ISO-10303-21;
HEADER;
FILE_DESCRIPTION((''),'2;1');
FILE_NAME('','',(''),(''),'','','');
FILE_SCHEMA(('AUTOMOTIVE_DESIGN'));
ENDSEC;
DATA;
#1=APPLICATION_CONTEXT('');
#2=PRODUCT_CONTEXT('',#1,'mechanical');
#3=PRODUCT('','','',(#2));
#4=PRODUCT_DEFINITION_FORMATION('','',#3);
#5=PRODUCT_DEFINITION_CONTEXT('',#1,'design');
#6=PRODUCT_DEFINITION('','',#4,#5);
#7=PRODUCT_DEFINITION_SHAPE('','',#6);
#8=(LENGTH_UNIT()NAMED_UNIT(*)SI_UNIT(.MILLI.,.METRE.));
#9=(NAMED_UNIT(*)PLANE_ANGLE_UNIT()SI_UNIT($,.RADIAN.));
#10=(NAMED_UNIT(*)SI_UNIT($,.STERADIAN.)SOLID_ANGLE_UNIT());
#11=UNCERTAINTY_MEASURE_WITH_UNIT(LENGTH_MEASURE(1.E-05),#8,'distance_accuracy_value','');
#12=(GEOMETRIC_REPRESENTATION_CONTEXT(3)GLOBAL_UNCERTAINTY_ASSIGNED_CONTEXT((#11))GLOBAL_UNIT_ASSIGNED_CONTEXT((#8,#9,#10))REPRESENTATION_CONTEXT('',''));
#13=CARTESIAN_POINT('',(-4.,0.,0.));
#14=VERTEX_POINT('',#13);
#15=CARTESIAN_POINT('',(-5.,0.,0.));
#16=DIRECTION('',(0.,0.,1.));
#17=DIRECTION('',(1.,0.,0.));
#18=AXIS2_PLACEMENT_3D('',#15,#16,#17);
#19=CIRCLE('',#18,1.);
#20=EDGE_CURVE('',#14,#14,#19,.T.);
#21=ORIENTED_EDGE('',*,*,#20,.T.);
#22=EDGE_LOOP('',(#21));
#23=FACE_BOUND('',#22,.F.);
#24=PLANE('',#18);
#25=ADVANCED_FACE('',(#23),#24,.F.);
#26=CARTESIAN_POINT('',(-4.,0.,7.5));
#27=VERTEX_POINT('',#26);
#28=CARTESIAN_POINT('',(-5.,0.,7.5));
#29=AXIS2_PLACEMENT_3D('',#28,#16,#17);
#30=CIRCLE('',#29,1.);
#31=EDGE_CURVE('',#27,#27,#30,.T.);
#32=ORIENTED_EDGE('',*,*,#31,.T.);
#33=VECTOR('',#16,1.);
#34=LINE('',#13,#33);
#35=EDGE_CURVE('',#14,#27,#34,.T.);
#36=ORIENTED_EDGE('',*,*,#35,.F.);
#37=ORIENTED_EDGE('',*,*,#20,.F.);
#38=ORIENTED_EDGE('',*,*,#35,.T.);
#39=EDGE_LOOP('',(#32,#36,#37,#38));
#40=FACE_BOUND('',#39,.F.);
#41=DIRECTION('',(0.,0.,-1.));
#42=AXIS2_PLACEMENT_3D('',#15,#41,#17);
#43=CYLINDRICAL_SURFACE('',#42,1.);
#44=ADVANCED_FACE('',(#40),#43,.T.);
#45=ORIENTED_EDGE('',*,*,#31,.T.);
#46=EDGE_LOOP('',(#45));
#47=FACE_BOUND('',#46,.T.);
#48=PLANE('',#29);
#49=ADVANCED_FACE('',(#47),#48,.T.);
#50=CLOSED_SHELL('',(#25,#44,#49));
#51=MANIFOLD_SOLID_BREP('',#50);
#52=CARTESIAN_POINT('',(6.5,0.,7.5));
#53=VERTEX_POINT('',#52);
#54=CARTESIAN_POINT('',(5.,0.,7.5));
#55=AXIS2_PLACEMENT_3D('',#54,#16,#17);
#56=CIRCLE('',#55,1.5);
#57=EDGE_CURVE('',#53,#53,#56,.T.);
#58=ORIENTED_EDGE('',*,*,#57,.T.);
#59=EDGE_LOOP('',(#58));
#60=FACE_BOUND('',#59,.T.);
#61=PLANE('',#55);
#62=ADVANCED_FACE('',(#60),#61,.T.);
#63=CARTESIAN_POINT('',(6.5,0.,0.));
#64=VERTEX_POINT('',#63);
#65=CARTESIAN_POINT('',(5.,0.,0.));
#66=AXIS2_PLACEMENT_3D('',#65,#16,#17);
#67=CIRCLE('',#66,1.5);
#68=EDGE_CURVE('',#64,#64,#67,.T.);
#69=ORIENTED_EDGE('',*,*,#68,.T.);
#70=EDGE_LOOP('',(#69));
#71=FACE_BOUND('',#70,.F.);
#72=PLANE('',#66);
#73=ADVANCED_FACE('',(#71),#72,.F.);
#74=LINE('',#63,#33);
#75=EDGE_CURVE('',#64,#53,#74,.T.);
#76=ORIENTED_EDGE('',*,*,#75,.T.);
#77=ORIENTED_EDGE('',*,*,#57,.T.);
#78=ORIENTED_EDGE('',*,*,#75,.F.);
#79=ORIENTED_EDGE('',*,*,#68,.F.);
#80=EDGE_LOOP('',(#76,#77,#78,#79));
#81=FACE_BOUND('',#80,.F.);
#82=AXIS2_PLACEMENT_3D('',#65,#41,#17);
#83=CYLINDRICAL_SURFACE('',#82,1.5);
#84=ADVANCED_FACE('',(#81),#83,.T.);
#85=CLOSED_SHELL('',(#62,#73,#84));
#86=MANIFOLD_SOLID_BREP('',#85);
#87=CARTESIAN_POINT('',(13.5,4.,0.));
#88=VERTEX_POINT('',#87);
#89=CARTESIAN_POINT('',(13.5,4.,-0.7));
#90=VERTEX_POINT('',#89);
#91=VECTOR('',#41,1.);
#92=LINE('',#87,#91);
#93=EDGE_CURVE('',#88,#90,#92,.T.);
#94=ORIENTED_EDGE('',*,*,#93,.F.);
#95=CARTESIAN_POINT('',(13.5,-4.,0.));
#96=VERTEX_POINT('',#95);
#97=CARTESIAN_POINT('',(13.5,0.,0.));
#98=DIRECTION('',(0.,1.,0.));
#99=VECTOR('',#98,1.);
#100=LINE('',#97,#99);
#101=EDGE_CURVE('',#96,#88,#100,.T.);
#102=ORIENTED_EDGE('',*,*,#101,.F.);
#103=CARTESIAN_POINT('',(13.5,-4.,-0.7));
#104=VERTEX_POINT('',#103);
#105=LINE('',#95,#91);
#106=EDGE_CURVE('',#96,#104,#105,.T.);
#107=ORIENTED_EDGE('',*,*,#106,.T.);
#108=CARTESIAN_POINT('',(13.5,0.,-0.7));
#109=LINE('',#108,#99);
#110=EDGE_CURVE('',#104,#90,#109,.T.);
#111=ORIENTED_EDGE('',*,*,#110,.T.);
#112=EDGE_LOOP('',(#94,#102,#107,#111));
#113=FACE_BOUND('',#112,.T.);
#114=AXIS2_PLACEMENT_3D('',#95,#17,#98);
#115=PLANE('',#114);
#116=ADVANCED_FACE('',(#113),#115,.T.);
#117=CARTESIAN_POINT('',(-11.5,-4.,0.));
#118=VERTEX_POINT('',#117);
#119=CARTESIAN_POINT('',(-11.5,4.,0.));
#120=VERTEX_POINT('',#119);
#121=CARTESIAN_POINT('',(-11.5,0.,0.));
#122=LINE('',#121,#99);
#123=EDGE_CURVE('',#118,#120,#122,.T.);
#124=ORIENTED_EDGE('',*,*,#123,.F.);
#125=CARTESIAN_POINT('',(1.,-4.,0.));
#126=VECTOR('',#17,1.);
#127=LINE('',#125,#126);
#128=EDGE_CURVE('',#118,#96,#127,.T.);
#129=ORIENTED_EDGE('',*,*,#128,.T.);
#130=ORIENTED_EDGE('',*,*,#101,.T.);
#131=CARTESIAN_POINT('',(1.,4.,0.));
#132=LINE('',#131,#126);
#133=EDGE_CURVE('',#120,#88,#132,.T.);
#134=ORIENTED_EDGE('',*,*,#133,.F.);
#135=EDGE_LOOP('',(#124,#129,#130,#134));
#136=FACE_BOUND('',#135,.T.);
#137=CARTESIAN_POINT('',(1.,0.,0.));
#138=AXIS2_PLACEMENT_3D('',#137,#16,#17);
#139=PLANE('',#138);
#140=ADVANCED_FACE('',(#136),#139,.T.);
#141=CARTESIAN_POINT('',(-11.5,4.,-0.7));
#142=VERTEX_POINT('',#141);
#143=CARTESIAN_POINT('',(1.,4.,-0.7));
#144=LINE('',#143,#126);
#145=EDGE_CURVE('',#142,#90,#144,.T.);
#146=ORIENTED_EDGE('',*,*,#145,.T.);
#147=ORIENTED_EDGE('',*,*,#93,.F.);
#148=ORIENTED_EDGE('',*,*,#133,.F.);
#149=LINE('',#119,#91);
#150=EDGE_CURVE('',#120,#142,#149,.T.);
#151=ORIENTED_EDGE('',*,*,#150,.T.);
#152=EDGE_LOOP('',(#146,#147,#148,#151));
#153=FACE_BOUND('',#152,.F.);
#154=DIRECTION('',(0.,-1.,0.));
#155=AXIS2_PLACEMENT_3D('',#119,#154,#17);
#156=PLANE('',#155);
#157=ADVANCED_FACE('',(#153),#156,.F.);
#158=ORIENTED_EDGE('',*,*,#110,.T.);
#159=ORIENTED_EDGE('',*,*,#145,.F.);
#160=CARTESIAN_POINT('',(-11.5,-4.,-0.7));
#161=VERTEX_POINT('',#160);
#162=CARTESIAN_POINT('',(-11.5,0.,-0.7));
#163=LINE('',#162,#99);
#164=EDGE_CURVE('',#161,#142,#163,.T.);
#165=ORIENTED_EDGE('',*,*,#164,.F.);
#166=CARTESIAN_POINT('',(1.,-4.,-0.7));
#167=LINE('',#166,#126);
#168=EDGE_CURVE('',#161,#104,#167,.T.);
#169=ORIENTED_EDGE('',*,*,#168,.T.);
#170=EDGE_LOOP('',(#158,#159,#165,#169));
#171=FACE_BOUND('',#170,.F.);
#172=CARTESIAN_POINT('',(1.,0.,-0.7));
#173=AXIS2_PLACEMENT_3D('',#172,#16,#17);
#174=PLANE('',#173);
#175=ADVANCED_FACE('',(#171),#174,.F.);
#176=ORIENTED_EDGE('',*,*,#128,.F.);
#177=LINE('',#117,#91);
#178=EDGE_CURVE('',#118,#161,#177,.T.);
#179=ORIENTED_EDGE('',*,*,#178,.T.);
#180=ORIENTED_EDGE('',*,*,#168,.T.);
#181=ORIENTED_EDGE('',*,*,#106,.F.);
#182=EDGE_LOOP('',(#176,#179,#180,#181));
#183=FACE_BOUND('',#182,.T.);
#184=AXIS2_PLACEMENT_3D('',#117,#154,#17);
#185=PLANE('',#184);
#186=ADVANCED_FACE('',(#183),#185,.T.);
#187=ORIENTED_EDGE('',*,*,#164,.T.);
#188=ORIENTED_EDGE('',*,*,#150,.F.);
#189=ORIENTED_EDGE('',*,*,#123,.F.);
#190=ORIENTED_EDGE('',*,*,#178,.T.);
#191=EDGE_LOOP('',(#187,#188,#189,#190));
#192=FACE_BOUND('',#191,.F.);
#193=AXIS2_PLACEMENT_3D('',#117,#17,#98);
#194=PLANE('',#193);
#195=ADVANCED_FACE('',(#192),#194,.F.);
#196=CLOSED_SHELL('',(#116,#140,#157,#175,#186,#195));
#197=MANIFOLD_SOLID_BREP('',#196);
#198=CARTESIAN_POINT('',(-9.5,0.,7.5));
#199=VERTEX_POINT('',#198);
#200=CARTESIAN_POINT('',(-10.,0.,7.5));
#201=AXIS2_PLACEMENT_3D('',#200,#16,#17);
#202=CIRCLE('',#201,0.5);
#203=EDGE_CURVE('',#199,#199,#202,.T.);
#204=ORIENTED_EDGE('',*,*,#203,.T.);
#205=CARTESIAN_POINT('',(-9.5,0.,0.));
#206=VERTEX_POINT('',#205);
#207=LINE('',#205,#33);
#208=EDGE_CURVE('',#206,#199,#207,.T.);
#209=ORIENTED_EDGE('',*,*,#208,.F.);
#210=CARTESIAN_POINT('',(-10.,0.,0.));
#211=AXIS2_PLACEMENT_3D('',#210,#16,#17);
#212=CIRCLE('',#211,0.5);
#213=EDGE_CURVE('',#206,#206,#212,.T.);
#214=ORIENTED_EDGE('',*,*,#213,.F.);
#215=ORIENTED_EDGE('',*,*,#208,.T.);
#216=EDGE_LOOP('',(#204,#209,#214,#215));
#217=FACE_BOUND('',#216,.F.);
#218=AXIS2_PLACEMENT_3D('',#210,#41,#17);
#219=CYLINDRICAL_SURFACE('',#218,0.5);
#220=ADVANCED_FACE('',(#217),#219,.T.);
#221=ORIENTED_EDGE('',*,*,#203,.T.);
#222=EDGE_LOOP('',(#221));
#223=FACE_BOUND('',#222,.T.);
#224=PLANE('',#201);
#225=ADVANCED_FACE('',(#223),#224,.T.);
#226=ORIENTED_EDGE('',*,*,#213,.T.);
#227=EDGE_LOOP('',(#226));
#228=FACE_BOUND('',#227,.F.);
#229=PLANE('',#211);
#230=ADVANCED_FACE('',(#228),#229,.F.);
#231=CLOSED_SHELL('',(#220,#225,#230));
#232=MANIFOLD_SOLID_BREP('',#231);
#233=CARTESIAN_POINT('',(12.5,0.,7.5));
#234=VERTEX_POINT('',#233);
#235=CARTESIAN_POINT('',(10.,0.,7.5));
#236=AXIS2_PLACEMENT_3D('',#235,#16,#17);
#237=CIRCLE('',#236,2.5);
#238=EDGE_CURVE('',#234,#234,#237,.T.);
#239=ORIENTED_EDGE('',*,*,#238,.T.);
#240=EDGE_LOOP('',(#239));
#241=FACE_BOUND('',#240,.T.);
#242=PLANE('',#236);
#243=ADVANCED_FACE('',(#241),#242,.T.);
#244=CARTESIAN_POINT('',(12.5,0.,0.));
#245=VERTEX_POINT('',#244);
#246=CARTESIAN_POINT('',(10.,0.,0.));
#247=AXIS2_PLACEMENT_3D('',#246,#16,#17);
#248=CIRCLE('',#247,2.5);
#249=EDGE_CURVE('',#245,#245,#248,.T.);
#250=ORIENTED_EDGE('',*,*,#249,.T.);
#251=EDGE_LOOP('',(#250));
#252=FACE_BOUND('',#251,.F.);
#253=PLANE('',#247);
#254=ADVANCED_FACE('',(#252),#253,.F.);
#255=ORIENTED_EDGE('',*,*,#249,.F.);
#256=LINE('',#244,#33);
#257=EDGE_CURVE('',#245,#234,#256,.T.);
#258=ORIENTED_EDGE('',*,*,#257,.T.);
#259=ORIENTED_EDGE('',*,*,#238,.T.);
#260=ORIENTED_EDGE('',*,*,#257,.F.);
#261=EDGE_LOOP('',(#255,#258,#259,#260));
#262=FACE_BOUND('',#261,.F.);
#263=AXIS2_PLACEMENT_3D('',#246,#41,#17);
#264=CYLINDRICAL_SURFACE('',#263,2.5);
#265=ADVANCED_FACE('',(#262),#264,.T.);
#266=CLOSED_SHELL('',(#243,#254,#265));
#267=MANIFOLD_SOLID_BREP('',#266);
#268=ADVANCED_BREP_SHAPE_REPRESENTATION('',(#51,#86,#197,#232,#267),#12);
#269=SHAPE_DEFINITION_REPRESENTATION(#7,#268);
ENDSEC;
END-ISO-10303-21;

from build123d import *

# Parameters (mm, degrees)
F0_R     = 1
F0_R_2   = 1.5
F0_R_3   = 0.5
F0_R_4   = 2.5
F1_DEPTH = 7.5
F2_W     = 25
F2_H     = 8
F3_DEPTH = 0.7


with BuildPart() as f1:
    # F0 (on Top) → F1 (new body)
    with BuildSketch(Plane.XY):
        with Locations((-5, 0)):
            Circle(F0_R)
        with Locations((5, 0)):
            Circle(F0_R_2)
        with Locations((-10, 0)):
            Circle(F0_R_3)
        with Locations((10, 0)):
            Circle(F0_R_4)
    extrude(amount=F1_DEPTH)


with BuildPart() as f3:
    # F2 (on Top) → F3 (new body)
    with BuildSketch(Plane.XY):
        with Locations((1, 0)):
            Rectangle(F2_W, F2_H)
    extrude(amount=-F3_DEPTH)


solid = Compound([f1.part, f3.part])
